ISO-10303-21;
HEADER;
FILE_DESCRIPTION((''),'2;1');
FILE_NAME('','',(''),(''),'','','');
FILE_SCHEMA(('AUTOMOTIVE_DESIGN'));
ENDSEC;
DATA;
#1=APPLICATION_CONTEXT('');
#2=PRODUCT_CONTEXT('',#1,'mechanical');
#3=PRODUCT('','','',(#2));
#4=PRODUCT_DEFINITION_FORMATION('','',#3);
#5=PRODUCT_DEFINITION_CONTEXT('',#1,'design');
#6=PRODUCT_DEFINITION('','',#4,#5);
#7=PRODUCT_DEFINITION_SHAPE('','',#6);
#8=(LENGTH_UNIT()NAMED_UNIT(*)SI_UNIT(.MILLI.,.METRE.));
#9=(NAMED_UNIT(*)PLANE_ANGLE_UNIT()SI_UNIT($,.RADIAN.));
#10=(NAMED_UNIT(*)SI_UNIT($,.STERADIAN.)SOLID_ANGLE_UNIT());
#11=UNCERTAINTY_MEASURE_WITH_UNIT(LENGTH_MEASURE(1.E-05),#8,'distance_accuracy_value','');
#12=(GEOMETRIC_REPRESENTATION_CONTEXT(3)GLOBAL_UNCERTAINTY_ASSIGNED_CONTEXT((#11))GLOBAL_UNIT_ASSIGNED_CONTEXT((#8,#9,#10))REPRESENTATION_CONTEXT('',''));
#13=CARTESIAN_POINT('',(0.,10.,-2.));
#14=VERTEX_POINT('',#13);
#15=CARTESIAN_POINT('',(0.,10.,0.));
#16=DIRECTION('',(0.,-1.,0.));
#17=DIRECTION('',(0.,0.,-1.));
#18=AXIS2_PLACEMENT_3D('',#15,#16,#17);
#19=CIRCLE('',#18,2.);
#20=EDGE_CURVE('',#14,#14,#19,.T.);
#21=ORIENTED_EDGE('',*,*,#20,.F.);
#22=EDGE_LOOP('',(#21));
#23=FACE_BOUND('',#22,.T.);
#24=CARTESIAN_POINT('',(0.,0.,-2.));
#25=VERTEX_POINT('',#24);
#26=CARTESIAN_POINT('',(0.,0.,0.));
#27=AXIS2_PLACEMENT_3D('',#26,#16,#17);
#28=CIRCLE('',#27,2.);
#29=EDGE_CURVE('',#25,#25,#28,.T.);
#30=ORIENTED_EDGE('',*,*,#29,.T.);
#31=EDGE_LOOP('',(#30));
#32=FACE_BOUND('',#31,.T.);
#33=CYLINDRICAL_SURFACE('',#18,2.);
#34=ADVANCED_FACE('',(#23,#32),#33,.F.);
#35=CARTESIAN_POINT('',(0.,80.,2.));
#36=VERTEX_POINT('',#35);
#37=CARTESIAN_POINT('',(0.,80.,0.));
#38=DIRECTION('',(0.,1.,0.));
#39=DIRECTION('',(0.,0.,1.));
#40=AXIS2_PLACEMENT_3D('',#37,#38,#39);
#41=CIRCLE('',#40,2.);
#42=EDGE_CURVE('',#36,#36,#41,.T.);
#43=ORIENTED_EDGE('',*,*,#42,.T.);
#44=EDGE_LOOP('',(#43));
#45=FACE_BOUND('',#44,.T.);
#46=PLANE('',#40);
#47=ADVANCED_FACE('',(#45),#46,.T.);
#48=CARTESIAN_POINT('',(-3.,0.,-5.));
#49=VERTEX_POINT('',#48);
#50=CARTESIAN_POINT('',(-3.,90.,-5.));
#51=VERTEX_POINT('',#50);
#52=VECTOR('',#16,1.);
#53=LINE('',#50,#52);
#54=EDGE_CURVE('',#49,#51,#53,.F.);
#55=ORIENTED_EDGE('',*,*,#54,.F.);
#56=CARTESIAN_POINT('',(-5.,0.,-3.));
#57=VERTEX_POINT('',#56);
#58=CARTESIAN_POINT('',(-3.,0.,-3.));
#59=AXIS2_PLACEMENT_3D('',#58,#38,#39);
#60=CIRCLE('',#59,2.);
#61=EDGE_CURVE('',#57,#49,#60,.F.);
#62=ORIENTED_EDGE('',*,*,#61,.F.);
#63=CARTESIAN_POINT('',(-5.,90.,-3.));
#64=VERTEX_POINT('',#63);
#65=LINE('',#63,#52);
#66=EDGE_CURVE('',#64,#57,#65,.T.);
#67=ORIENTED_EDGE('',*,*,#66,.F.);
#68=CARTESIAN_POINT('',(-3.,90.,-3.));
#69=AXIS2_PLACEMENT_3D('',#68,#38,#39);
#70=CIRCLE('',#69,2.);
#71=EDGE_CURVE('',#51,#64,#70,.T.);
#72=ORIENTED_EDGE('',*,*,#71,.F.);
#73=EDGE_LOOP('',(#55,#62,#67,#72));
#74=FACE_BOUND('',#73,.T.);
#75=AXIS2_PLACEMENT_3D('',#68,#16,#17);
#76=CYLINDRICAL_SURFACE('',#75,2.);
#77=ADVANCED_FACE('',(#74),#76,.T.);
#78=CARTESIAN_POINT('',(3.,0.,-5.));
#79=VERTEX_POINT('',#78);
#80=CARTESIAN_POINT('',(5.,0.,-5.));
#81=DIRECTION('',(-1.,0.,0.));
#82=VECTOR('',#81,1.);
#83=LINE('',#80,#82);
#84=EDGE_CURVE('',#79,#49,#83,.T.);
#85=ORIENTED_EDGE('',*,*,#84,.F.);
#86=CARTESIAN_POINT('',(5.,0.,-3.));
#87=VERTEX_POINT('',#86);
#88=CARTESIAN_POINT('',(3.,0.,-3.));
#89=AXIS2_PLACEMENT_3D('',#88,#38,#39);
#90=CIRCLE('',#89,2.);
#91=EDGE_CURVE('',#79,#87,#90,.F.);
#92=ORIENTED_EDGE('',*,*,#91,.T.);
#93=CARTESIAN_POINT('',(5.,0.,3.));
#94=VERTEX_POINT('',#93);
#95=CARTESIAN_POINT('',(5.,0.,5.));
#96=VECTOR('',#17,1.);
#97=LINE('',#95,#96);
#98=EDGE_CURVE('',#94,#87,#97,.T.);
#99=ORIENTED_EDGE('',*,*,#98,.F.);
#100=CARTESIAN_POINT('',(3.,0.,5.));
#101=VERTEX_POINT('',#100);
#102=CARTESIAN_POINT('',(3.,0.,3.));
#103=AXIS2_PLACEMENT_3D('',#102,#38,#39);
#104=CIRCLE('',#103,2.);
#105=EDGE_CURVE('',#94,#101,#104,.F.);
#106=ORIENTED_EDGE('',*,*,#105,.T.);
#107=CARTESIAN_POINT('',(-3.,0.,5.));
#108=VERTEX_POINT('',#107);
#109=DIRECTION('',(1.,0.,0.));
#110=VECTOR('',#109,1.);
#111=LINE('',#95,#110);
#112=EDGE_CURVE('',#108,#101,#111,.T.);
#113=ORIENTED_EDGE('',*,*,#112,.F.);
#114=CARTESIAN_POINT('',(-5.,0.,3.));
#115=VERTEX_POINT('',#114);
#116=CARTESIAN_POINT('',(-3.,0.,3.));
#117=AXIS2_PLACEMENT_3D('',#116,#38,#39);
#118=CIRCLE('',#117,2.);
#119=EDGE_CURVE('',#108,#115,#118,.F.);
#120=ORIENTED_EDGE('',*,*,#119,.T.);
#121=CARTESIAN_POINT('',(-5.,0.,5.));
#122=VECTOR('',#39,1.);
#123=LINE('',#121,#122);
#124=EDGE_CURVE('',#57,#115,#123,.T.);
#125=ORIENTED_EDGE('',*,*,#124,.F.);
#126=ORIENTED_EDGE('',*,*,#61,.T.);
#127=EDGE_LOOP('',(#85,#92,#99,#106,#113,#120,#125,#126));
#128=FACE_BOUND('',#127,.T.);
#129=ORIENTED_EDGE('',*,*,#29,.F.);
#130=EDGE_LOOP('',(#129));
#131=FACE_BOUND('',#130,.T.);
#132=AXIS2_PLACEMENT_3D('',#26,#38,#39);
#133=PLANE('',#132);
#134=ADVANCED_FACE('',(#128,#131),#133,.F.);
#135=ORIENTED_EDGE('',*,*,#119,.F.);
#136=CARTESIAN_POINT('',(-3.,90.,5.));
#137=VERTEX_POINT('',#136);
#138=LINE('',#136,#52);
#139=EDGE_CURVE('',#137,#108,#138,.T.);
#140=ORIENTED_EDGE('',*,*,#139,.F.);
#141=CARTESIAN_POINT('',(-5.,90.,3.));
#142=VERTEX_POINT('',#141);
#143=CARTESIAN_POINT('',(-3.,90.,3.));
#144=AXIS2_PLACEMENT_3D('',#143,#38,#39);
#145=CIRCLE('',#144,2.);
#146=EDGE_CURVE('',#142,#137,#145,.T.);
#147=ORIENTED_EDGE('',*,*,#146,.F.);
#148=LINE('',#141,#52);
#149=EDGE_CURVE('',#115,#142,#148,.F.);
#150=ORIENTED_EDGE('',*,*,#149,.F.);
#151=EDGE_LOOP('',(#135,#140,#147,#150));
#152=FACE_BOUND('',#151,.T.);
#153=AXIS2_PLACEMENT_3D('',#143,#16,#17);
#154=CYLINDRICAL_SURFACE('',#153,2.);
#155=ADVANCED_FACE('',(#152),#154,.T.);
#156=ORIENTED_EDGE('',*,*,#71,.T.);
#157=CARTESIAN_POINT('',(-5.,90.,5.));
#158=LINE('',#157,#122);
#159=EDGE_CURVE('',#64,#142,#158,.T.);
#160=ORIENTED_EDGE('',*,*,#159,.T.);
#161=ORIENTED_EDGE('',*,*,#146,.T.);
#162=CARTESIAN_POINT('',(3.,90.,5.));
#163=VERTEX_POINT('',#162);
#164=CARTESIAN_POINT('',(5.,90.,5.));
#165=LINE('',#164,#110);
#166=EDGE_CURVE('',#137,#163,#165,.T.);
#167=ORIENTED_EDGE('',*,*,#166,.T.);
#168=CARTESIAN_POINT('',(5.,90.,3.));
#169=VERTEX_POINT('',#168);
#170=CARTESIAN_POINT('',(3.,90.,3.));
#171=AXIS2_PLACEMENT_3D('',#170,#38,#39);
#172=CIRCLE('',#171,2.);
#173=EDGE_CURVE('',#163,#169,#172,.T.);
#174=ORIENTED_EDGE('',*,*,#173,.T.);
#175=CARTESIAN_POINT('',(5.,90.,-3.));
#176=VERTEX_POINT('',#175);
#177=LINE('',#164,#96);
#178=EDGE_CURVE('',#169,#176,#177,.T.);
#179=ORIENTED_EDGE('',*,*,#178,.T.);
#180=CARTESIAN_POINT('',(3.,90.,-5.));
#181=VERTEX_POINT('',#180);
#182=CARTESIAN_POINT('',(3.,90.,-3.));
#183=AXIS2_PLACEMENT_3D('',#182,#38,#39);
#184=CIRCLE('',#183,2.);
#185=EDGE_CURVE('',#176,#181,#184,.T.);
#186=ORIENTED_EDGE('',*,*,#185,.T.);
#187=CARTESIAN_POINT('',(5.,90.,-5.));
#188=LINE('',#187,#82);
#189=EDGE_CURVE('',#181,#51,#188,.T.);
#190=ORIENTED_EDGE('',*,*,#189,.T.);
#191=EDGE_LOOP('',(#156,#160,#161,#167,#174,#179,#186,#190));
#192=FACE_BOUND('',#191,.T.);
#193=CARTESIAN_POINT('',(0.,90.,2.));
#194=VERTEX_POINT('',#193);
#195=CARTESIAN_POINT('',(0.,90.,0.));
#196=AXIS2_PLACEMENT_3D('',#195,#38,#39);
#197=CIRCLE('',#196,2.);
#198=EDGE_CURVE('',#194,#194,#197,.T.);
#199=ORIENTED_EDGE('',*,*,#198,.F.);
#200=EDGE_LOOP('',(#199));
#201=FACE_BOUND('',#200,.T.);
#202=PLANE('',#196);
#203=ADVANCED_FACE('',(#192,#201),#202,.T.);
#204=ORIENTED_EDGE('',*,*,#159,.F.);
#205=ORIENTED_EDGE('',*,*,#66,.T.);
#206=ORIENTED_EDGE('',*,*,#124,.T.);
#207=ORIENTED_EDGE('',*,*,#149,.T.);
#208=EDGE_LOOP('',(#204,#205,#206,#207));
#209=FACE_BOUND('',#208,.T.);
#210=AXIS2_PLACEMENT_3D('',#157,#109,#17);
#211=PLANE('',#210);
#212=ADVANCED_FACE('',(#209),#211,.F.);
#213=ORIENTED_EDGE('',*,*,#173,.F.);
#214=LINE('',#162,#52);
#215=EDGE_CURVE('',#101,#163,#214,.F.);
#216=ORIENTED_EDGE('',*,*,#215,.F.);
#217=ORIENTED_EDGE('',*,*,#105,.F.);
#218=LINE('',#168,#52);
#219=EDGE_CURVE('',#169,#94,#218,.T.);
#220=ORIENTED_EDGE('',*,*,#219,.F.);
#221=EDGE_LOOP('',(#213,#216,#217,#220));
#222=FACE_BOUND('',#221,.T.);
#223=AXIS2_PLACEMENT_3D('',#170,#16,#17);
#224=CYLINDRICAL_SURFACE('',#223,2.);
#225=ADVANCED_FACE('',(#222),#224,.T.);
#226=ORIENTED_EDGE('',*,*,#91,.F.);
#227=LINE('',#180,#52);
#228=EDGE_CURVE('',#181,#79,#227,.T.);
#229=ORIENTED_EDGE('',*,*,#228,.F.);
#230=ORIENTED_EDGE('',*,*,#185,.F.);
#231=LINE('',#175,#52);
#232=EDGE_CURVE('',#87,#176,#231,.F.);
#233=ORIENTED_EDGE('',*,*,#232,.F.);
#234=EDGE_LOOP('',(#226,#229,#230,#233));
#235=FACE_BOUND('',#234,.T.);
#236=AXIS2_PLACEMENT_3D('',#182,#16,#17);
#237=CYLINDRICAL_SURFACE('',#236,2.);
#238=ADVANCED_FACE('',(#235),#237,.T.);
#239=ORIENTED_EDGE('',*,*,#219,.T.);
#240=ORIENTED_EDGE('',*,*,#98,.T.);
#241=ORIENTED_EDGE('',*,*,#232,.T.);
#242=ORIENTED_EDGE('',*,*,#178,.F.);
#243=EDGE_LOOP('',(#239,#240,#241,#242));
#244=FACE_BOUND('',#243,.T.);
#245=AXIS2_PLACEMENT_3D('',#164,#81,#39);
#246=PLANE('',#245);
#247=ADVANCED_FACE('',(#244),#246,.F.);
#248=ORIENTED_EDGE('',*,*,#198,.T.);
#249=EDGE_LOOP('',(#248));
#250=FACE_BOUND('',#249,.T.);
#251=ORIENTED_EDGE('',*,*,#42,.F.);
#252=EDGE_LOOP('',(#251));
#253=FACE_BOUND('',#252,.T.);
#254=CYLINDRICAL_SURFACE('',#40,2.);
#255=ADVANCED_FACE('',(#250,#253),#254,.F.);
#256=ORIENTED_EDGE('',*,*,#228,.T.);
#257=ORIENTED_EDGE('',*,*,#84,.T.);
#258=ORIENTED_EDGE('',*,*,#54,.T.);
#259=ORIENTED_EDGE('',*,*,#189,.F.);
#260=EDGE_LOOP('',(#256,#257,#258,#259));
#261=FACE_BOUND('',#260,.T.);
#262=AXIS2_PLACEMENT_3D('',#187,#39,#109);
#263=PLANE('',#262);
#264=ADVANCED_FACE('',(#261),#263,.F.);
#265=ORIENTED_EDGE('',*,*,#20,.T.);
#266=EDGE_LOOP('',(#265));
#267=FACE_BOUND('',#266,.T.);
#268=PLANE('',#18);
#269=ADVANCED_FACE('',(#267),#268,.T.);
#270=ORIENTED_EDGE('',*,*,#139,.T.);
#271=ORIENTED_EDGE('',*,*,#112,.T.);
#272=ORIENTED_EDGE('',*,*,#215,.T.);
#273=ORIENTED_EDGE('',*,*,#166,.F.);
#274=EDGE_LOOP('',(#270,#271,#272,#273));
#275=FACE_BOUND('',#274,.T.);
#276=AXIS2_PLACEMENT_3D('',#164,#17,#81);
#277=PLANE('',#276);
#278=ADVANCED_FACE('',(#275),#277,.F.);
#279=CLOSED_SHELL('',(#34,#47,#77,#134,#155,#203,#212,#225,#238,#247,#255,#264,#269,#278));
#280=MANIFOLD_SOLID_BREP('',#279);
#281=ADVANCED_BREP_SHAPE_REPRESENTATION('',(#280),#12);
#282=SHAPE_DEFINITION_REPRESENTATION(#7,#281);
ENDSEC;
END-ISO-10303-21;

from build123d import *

# Parameters (mm, degrees)
SKETCH_1_W          = 10
SKETCH_1_H          = 10
EXTRUDE_1_DEPTH     = 90
SKETCH_2_R          = 2
CUT_EXTRUDE_1_DEPTH = 10
CUT_EXTRUDE_START   = -10
SKETCH_4_R          = 2
CUT_EXTRUDE_2_DEPTH = 10
FILLET_1_R          = 2


with BuildPart() as part:
    # 草图1 → 凸台-拉伸1 (new body)
    with BuildSketch(Plane(origin=(0, 0, 0), x_dir=(1, 0, 0), z_dir=(0, 1, 0))):
        Rectangle(SKETCH_1_W, SKETCH_1_H)
    extrude(amount=EXTRUDE_1_DEPTH)

    # 草图2 → 切除-拉伸1 (cut)
    with BuildSketch(Plane(origin=(0, 90, 0), x_dir=(1, 0, 0), z_dir=(0, 1, 0))):
        with Locations(Location((0, 0, 0), (0, 0, 270))):
            Circle(SKETCH_2_R)
    extrude(amount=-CUT_EXTRUDE_1_DEPTH, mode=Mode.SUBTRACT)

    # 草图4 → 切除-拉伸2 (cut)
    with BuildSketch(Plane.XZ.offset(CUT_EXTRUDE_START)):
        with Locations(Location((0, 0, 0), (0, 0, 90))):
            Circle(SKETCH_4_R)
    extrude(amount=CUT_EXTRUDE_2_DEPTH, mode=Mode.SUBTRACT)

    # 圆角1
    fillet_1_edges = [part.edges().sort_by_distance(p)[0] for p in [
        (-5, 45, -5),
        (5, 45, -5),
        (5, 45, 5),
        (-5, 45, 5),
    ]]
    fillet(fillet_1_edges, radius=FILLET_1_R)


solid = part.part
